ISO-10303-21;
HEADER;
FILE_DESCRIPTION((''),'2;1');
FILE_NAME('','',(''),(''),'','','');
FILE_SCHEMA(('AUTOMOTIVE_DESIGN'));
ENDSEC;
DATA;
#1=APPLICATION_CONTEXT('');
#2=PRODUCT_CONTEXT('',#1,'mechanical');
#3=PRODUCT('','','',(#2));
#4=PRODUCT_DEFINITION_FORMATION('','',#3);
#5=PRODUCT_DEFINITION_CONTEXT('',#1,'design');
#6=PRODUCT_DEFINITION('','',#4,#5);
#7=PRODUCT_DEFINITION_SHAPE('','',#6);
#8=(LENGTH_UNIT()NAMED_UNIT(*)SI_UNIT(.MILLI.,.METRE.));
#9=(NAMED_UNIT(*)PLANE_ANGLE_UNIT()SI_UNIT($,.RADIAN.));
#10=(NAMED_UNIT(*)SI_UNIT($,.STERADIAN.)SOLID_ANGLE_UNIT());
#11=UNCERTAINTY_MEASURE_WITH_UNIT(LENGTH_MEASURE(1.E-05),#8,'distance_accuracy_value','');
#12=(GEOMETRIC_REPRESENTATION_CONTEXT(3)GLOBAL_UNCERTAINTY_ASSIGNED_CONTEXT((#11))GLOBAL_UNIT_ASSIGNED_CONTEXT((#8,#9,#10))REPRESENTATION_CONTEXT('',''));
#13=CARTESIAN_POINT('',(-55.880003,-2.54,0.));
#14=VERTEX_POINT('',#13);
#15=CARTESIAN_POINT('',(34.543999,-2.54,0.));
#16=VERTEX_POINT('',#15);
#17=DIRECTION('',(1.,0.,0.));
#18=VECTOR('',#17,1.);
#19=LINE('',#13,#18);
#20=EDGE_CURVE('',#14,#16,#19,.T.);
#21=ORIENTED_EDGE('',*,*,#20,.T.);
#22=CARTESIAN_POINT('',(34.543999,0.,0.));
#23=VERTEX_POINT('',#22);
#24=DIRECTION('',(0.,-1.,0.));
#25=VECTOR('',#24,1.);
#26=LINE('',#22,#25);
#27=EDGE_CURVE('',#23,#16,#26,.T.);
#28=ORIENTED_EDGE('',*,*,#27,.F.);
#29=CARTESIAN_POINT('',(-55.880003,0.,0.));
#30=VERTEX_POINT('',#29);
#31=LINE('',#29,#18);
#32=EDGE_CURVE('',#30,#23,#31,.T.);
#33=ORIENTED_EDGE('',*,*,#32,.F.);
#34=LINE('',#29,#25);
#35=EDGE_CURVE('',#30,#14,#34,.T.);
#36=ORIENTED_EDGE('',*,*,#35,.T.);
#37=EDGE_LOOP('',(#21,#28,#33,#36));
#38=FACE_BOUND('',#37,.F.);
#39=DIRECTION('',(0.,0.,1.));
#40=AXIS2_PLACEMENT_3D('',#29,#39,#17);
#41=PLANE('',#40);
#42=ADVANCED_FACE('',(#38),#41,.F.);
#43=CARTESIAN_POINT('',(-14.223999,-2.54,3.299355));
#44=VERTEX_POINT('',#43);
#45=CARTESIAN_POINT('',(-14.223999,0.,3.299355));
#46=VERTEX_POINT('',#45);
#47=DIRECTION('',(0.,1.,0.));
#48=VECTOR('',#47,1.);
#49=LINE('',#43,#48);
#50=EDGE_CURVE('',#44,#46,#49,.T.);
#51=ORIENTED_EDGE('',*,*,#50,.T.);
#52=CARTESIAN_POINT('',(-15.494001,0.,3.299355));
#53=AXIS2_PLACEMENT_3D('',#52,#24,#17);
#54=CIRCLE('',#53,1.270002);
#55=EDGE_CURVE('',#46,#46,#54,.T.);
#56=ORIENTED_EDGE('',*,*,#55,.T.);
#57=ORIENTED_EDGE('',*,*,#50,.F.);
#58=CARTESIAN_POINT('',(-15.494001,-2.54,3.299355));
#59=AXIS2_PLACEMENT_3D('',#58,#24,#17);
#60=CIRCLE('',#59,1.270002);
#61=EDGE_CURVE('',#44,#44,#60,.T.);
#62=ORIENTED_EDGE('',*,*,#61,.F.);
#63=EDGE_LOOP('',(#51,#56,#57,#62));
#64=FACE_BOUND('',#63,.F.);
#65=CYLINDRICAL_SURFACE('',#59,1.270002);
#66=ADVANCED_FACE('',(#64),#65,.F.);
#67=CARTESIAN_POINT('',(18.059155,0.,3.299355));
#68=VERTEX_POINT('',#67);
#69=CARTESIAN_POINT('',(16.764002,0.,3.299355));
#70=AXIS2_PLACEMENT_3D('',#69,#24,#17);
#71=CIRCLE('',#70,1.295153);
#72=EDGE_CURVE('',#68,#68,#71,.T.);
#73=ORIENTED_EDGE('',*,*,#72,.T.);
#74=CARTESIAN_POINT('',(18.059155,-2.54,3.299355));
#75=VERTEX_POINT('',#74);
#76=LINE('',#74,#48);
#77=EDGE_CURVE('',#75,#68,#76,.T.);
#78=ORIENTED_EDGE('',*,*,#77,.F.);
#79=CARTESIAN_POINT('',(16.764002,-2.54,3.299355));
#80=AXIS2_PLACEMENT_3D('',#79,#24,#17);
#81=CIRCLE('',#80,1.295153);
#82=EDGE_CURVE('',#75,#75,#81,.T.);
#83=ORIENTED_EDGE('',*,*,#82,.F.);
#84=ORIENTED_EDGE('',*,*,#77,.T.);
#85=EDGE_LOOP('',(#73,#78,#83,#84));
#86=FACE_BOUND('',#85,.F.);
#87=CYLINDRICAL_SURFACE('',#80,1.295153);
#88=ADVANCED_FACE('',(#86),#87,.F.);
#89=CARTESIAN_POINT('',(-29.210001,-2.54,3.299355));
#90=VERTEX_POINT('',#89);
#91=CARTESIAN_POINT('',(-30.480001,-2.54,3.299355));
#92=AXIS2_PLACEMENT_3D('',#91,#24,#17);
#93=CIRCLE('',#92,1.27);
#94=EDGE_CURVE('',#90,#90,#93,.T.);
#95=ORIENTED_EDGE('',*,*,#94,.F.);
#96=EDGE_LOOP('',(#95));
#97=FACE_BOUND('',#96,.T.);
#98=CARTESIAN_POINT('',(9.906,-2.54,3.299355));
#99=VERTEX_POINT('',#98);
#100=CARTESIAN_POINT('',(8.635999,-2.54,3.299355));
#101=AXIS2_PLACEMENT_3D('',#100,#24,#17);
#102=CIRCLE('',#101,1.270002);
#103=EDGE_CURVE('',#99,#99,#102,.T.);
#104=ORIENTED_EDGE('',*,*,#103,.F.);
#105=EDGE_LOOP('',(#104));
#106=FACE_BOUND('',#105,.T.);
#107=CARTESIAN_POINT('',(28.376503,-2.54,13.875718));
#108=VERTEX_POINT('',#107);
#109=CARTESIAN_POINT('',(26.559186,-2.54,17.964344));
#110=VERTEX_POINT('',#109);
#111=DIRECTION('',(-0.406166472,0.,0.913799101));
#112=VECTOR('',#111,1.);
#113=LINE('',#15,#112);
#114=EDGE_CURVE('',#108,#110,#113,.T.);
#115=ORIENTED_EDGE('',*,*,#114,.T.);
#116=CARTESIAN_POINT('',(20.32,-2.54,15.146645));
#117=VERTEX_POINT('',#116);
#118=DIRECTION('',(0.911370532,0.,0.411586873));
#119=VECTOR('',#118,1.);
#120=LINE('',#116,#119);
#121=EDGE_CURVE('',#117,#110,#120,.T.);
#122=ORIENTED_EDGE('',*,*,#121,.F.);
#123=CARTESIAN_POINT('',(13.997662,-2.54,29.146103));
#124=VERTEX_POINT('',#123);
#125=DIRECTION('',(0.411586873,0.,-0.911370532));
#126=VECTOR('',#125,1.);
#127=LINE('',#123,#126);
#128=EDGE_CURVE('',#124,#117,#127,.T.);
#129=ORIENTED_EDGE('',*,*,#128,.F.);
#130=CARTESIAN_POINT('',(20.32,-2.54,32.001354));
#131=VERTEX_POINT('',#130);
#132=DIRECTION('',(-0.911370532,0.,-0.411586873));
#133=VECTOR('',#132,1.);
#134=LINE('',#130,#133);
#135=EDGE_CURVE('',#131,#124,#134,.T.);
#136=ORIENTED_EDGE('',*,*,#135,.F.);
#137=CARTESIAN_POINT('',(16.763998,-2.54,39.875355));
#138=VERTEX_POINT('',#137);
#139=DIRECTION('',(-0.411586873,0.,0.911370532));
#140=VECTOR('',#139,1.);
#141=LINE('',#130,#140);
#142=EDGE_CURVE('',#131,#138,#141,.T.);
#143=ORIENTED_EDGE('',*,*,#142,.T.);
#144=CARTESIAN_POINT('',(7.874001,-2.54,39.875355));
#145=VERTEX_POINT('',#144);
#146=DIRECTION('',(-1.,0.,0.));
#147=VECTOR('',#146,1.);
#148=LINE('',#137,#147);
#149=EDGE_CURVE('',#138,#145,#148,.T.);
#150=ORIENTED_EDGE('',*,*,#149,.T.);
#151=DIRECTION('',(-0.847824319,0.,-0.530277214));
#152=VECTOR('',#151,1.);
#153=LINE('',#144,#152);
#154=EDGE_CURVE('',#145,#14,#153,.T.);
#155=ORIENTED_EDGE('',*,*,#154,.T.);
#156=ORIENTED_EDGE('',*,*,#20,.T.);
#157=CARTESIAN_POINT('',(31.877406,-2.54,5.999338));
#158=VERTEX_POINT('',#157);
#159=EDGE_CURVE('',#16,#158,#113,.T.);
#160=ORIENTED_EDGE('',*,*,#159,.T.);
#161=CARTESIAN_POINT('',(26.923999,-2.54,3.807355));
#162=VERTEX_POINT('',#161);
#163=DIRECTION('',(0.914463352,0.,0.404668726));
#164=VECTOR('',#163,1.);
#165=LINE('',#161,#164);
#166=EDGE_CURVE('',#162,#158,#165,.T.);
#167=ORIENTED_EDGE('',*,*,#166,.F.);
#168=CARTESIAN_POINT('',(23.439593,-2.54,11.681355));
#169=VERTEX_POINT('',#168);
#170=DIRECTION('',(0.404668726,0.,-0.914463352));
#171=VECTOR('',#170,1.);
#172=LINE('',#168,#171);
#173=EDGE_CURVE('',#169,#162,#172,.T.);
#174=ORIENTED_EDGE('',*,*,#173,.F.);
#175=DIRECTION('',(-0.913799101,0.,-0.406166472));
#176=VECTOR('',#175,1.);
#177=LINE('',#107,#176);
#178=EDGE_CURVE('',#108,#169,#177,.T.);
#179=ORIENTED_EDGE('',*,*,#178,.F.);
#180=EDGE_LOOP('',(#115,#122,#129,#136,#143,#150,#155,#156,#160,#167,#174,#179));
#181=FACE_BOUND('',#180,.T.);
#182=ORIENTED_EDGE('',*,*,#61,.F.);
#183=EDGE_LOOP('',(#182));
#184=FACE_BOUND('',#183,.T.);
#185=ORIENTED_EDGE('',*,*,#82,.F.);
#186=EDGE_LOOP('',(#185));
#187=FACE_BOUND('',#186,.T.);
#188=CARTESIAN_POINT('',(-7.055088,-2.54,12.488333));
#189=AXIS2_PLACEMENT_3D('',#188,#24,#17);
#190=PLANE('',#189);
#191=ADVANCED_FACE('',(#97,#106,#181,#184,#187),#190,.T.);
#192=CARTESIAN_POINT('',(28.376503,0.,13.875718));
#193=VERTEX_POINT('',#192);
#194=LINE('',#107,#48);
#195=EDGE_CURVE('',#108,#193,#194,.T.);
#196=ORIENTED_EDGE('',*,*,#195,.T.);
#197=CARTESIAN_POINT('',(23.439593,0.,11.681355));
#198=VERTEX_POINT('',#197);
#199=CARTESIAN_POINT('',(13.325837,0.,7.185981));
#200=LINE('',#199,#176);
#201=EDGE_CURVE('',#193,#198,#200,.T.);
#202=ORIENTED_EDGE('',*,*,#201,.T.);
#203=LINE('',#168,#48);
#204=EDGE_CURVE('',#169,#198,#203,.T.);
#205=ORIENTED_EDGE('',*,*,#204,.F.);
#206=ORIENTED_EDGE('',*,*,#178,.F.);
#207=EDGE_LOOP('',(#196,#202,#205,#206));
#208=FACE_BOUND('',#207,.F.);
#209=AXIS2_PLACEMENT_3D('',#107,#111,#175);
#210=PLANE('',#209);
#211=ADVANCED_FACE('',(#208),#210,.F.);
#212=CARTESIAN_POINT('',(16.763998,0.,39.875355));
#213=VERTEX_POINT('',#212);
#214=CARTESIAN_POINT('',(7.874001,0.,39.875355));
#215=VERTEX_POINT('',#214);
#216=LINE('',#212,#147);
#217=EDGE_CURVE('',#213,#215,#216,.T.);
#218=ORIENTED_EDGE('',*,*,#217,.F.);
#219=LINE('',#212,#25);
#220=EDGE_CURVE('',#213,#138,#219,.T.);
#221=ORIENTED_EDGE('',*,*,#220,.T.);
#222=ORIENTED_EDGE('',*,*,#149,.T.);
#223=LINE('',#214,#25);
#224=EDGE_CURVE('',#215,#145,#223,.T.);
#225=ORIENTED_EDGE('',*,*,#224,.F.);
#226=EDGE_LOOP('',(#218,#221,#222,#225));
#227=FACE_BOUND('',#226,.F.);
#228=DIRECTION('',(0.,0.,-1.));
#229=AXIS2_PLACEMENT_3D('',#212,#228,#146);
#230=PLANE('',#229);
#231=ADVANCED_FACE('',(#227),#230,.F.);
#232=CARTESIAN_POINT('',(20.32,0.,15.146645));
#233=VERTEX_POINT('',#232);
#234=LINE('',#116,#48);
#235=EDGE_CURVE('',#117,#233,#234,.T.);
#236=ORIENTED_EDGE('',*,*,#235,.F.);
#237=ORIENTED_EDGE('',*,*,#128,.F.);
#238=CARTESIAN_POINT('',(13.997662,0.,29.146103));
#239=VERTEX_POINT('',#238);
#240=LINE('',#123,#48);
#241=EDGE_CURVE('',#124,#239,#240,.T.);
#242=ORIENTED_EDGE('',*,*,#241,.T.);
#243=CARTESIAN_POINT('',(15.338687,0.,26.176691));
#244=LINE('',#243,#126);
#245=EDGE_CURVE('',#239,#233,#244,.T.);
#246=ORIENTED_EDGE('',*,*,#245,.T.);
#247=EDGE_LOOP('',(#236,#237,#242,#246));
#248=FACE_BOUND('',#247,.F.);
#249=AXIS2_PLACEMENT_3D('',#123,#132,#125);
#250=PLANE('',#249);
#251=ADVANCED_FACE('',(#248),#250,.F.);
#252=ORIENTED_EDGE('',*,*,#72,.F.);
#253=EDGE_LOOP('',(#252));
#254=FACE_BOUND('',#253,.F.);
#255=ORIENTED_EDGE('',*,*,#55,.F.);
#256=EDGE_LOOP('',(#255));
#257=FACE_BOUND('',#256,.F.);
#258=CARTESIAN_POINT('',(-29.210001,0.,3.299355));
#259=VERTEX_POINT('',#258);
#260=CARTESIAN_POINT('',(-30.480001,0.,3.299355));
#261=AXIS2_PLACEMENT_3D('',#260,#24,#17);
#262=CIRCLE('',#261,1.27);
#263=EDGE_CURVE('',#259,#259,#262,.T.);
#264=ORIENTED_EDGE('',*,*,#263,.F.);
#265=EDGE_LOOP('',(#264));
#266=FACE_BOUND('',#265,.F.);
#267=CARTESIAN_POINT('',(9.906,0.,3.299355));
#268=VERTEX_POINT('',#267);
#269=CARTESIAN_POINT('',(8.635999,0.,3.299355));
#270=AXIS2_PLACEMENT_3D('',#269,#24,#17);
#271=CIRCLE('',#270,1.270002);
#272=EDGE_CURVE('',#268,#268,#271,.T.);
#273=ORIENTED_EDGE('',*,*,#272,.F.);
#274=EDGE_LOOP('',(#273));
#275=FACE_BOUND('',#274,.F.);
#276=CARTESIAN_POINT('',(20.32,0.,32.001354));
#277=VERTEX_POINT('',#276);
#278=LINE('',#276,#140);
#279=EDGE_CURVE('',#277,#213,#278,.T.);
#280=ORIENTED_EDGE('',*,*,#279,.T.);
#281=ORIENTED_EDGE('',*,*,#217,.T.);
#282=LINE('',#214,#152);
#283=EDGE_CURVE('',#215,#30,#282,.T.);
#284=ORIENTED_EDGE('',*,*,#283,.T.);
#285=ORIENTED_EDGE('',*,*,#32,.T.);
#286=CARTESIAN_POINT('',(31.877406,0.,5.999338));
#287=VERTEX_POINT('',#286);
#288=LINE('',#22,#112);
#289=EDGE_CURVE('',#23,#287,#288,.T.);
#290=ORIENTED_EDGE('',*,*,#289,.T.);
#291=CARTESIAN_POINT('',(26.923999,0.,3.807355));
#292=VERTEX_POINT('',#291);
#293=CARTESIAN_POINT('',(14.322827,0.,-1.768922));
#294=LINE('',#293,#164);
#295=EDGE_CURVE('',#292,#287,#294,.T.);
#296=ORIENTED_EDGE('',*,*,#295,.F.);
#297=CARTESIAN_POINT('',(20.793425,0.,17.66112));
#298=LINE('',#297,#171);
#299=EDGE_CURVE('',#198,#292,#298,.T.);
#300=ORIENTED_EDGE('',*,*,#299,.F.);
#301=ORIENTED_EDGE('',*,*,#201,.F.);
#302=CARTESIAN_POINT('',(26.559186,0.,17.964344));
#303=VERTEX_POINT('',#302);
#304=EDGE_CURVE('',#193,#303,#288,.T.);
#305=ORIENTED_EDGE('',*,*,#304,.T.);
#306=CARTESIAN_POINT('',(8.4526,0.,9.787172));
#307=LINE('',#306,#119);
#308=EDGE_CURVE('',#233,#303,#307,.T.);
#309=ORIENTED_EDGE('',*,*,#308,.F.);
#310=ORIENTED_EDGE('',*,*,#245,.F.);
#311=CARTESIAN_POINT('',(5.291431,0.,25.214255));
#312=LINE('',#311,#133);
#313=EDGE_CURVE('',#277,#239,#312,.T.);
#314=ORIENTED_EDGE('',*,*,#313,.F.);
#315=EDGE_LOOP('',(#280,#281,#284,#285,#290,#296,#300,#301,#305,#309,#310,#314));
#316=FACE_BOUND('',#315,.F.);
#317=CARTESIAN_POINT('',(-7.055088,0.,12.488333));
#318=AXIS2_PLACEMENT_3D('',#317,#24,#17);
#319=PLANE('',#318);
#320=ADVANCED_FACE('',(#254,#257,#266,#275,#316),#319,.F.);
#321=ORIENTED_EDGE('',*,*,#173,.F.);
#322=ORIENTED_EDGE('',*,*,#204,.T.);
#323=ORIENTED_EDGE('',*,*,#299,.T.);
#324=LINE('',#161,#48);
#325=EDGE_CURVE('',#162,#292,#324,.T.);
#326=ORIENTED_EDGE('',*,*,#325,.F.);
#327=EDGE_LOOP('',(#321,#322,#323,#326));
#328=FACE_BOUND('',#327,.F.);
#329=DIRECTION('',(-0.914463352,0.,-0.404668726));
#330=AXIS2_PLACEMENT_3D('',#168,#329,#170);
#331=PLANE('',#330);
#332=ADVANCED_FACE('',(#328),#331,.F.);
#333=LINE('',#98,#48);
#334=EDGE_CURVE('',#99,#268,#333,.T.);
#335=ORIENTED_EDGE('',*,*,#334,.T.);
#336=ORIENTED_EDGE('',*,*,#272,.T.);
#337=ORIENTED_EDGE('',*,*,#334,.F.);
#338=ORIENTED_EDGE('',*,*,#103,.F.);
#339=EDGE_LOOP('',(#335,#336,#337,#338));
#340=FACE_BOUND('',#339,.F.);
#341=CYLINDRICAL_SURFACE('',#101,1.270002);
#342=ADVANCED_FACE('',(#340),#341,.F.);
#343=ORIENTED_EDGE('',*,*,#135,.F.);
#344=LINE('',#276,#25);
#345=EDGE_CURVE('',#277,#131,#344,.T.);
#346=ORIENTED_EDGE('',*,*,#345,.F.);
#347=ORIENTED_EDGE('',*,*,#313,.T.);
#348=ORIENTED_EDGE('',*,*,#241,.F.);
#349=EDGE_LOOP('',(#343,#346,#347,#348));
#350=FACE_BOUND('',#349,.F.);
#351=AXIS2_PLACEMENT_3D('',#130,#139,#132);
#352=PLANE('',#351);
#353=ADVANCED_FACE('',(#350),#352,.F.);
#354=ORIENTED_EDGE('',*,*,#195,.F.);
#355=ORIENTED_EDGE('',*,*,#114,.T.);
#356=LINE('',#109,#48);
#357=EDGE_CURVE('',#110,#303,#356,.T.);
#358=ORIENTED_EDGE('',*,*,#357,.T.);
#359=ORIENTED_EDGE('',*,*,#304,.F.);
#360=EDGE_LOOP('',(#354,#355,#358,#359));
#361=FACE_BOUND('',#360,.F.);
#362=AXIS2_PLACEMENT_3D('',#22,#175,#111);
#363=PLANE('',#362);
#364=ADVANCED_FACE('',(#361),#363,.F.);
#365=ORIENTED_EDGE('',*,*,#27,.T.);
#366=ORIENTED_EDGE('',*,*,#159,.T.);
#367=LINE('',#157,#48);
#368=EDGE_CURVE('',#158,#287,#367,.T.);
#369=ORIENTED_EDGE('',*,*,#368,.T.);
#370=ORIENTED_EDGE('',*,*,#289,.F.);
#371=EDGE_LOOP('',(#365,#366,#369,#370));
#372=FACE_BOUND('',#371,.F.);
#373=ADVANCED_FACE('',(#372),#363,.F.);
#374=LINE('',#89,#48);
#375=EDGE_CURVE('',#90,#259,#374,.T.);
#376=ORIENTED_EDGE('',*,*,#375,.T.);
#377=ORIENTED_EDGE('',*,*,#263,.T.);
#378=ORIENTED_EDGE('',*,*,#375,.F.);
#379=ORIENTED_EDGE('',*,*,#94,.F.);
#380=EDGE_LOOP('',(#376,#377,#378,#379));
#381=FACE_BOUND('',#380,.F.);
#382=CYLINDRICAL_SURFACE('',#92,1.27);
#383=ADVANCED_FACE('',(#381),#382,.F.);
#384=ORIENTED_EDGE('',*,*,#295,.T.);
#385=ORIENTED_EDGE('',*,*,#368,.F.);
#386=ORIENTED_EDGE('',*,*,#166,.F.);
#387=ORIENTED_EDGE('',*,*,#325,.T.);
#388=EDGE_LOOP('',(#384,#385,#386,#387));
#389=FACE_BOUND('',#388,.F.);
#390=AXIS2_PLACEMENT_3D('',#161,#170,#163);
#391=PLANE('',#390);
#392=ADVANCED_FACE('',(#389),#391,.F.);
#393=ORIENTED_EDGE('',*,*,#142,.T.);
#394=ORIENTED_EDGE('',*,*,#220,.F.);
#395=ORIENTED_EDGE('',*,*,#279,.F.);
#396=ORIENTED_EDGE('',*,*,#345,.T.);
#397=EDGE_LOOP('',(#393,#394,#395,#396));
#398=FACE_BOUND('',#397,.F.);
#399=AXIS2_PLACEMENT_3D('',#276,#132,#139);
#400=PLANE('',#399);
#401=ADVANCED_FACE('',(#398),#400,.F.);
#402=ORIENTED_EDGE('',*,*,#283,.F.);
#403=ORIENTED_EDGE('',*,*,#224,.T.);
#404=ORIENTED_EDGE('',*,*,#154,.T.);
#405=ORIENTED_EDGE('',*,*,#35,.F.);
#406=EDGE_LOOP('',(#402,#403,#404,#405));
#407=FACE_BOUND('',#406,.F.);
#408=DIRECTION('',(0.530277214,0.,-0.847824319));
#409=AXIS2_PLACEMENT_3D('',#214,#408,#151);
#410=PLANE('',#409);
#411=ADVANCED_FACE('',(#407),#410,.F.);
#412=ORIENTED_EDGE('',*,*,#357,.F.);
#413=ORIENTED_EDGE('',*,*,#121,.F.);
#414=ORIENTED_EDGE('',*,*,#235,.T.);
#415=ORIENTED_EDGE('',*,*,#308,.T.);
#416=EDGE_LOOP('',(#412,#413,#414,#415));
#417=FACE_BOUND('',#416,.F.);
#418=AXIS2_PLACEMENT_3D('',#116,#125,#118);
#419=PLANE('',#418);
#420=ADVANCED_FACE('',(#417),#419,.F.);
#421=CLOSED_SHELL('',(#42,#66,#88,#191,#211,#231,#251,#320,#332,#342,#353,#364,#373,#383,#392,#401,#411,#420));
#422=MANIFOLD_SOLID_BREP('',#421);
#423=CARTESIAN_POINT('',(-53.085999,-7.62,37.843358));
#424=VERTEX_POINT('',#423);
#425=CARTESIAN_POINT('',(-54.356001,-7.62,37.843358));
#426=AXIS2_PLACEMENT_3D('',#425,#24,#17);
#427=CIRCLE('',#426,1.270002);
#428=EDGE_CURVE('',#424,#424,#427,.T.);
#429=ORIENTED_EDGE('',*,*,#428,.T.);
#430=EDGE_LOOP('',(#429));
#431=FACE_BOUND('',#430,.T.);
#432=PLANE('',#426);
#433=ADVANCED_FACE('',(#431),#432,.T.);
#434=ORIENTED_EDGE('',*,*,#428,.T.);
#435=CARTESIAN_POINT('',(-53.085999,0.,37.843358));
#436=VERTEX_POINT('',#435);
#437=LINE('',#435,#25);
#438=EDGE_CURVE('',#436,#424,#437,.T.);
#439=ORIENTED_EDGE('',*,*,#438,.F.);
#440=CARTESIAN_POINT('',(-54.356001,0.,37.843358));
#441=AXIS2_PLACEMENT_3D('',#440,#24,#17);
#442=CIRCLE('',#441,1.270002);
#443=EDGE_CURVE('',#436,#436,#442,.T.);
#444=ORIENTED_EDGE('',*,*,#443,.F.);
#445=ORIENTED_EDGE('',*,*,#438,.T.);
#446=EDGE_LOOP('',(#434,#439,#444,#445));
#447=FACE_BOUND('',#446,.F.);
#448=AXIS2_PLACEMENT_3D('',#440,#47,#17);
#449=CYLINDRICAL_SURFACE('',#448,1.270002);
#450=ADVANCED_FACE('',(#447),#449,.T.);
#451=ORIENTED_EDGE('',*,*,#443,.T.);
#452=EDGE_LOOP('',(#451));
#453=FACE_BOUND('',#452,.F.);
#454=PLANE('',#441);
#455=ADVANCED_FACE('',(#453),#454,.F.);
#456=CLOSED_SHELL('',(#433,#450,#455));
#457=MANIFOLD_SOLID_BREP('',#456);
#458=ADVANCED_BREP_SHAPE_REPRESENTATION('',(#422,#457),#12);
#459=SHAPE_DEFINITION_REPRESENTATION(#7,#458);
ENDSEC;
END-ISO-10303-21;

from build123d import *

# Parameters (mm, degrees)
F1_DEPTH  = 2.54
F3_DEPTH  = 25.4
F5_DEPTH  = 25.4
F6_R      = 1.6280471638
F7_DEPTH  = 5.08
F6_R_2    = 1.6056038369
F6_R_3    = 1.7780047962
F6_R_4    = 1.7956781563
F6_R_5    = 1.9333651296
F6_R_6    = 1.795676312
F10_R     = 1.2951508641
F10_R_2   = 1.2951526906
F11_DEPTH = 12.7
F12_R     = 1.2700002175
F12_R_2   = 1.2700017542
F12_R_3   = 1.2951526906
F13_DEPTH = 2.54
F14_R     = 1.2700021267
F15_DEPTH = 7.62


with BuildPart() as f1:
    # F0 (on Front) → F1 (new body)
    with BuildSketch(Plane.XZ):
        Polygon((7.8740008175, 39.8753546178), (-55.8800026774, 0), (34.5439985394, 0), (20.320000127, 32.0013538003), (16.7639981955, 39.8753546178), align=None)
    extrude(amount=F1_DEPTH)

    # F2 (on face) → F3 (cut)
    with BuildSketch(Plane.XZ.offset(2.54)):
        Polygon((26.5591864506, 17.964343729), (20.320000127, 32.0013538003), (13.9976617065, 29.1461029367), (20.320000127, 15.1466454417), align=None)
    extrude(amount=-F3_DEPTH, mode=Mode.SUBTRACT)

    # F4 (on face) → F5 (cut)
    with BuildSketch(Plane.XZ.offset(2.54)):
        Polygon((28.3765034583, 13.8757180948), (23.4395932888, 11.6813546047), (26.9239991903, 3.8073547184), (31.8774057447, 5.999338371), align=None)
    extrude(amount=-F5_DEPTH, mode=Mode.SUBTRACT)

    # F10 (on face) → F11 (cut)
    with BuildSketch(Plane(origin=(0, 0, 0), x_dir=(1, 0, 0), z_dir=(0, 0, -1))):
        with Locations((-31.7500010133, 4.0613547899)):
            Circle(F10_R)
        with Locations((-17.5260007381, 4.3153548613)):
            Circle(F10_R_2)
        with Locations((-4.8260008916, 4.3153548613)):
            Circle(F10_R_2)
        with Locations((8.890000172, 4.0613547899)):
            Circle(F10_R_2)
    extrude(amount=-F11_DEPTH, mode=Mode.SUBTRACT)

    # F12 (on face) → F13 (cut)
    with BuildSketch(Plane.XZ.offset(2.54)):
        with Locations((-30.4800011218, 3.2993548084)):
            Circle(F12_R)
        with Locations((-15.494001098, 3.2993548084)):
            Circle(F12_R_2)
        with Locations((8.6359987035, 3.2993548084)):
            Circle(F12_R_2)
        with Locations((16.7640019208, 3.2993548084)):
            Circle(F12_R_3)
    extrude(amount=-F13_DEPTH, mode=Mode.SUBTRACT)


with BuildPart() as f7:
    # F6 (on face) → F7 (new body, symmetric)
    with BuildSketch(Plane(origin=(0, 0, 0), x_dir=(1, 0, 0), z_dir=(0, 0, -1))):
        with Locations((-50.7999993861, 1.27)):
            Circle(F6_R)
    extrude(amount=F7_DEPTH, both=True)


with BuildPart() as f7b:
    # F6 (on face) → F7, piece 2 (new body, symmetric)
    with BuildSketch(Plane(origin=(0, 0, 0), x_dir=(1, 0, 0), z_dir=(0, 0, -1))):
        with Locations((-36.8300005794, 1.27)):
            Circle(F6_R_2)
    extrude(amount=F7_DEPTH, both=True)


with BuildPart() as f7c:
    # F6 (on face) → F7, piece 3 (new body, symmetric)
    with BuildSketch(Plane(origin=(0, 0, 0), x_dir=(1, 0, 0), z_dir=(0, 0, -1))):
        with Locations((-21.8440014869, 1.27)):
            Circle(F6_R_3)
    extrude(amount=F7_DEPTH, both=True)


with BuildPart() as f7d:
    # F6 (on face) → F7, piece 4 (new body, symmetric)
    with BuildSketch(Plane(origin=(0, 0, 0), x_dir=(1, 0, 0), z_dir=(0, 0, -1))):
        with Locations((-5.3339982405, 1.27)):
            Circle(F6_R_4)
    extrude(amount=F7_DEPTH, both=True)


with BuildPart() as f7e:
    # F6 (on face) → F7, piece 5 (new body, symmetric)
    with BuildSketch(Plane(origin=(0, 0, 0), x_dir=(1, 0, 0), z_dir=(0, 0, -1))):
        with Locations((9.1440016404, 1.27)):
            Circle(F6_R_5)
    extrude(amount=F7_DEPTH, both=True)


with BuildPart() as f7f:
    # F6 (on face) → F7, piece 6 (new body, symmetric)
    with BuildSketch(Plane(origin=(0, 0, 0), x_dir=(1, 0, 0), z_dir=(0, 0, -1))):
        with Locations((23.1139995158, 1.27)):
            Circle(F6_R_6)
    extrude(amount=F7_DEPTH, both=True)


with BuildPart() as f15:
    # F14 (on Front) → F15 (new body)
    with BuildSketch(Plane.XZ):
        with Locations((-54.3560013175, 37.8433577716)):
            Circle(F14_R)
    extrude(amount=F15_DEPTH)


solid = Compound([f1.part, f15.part])
